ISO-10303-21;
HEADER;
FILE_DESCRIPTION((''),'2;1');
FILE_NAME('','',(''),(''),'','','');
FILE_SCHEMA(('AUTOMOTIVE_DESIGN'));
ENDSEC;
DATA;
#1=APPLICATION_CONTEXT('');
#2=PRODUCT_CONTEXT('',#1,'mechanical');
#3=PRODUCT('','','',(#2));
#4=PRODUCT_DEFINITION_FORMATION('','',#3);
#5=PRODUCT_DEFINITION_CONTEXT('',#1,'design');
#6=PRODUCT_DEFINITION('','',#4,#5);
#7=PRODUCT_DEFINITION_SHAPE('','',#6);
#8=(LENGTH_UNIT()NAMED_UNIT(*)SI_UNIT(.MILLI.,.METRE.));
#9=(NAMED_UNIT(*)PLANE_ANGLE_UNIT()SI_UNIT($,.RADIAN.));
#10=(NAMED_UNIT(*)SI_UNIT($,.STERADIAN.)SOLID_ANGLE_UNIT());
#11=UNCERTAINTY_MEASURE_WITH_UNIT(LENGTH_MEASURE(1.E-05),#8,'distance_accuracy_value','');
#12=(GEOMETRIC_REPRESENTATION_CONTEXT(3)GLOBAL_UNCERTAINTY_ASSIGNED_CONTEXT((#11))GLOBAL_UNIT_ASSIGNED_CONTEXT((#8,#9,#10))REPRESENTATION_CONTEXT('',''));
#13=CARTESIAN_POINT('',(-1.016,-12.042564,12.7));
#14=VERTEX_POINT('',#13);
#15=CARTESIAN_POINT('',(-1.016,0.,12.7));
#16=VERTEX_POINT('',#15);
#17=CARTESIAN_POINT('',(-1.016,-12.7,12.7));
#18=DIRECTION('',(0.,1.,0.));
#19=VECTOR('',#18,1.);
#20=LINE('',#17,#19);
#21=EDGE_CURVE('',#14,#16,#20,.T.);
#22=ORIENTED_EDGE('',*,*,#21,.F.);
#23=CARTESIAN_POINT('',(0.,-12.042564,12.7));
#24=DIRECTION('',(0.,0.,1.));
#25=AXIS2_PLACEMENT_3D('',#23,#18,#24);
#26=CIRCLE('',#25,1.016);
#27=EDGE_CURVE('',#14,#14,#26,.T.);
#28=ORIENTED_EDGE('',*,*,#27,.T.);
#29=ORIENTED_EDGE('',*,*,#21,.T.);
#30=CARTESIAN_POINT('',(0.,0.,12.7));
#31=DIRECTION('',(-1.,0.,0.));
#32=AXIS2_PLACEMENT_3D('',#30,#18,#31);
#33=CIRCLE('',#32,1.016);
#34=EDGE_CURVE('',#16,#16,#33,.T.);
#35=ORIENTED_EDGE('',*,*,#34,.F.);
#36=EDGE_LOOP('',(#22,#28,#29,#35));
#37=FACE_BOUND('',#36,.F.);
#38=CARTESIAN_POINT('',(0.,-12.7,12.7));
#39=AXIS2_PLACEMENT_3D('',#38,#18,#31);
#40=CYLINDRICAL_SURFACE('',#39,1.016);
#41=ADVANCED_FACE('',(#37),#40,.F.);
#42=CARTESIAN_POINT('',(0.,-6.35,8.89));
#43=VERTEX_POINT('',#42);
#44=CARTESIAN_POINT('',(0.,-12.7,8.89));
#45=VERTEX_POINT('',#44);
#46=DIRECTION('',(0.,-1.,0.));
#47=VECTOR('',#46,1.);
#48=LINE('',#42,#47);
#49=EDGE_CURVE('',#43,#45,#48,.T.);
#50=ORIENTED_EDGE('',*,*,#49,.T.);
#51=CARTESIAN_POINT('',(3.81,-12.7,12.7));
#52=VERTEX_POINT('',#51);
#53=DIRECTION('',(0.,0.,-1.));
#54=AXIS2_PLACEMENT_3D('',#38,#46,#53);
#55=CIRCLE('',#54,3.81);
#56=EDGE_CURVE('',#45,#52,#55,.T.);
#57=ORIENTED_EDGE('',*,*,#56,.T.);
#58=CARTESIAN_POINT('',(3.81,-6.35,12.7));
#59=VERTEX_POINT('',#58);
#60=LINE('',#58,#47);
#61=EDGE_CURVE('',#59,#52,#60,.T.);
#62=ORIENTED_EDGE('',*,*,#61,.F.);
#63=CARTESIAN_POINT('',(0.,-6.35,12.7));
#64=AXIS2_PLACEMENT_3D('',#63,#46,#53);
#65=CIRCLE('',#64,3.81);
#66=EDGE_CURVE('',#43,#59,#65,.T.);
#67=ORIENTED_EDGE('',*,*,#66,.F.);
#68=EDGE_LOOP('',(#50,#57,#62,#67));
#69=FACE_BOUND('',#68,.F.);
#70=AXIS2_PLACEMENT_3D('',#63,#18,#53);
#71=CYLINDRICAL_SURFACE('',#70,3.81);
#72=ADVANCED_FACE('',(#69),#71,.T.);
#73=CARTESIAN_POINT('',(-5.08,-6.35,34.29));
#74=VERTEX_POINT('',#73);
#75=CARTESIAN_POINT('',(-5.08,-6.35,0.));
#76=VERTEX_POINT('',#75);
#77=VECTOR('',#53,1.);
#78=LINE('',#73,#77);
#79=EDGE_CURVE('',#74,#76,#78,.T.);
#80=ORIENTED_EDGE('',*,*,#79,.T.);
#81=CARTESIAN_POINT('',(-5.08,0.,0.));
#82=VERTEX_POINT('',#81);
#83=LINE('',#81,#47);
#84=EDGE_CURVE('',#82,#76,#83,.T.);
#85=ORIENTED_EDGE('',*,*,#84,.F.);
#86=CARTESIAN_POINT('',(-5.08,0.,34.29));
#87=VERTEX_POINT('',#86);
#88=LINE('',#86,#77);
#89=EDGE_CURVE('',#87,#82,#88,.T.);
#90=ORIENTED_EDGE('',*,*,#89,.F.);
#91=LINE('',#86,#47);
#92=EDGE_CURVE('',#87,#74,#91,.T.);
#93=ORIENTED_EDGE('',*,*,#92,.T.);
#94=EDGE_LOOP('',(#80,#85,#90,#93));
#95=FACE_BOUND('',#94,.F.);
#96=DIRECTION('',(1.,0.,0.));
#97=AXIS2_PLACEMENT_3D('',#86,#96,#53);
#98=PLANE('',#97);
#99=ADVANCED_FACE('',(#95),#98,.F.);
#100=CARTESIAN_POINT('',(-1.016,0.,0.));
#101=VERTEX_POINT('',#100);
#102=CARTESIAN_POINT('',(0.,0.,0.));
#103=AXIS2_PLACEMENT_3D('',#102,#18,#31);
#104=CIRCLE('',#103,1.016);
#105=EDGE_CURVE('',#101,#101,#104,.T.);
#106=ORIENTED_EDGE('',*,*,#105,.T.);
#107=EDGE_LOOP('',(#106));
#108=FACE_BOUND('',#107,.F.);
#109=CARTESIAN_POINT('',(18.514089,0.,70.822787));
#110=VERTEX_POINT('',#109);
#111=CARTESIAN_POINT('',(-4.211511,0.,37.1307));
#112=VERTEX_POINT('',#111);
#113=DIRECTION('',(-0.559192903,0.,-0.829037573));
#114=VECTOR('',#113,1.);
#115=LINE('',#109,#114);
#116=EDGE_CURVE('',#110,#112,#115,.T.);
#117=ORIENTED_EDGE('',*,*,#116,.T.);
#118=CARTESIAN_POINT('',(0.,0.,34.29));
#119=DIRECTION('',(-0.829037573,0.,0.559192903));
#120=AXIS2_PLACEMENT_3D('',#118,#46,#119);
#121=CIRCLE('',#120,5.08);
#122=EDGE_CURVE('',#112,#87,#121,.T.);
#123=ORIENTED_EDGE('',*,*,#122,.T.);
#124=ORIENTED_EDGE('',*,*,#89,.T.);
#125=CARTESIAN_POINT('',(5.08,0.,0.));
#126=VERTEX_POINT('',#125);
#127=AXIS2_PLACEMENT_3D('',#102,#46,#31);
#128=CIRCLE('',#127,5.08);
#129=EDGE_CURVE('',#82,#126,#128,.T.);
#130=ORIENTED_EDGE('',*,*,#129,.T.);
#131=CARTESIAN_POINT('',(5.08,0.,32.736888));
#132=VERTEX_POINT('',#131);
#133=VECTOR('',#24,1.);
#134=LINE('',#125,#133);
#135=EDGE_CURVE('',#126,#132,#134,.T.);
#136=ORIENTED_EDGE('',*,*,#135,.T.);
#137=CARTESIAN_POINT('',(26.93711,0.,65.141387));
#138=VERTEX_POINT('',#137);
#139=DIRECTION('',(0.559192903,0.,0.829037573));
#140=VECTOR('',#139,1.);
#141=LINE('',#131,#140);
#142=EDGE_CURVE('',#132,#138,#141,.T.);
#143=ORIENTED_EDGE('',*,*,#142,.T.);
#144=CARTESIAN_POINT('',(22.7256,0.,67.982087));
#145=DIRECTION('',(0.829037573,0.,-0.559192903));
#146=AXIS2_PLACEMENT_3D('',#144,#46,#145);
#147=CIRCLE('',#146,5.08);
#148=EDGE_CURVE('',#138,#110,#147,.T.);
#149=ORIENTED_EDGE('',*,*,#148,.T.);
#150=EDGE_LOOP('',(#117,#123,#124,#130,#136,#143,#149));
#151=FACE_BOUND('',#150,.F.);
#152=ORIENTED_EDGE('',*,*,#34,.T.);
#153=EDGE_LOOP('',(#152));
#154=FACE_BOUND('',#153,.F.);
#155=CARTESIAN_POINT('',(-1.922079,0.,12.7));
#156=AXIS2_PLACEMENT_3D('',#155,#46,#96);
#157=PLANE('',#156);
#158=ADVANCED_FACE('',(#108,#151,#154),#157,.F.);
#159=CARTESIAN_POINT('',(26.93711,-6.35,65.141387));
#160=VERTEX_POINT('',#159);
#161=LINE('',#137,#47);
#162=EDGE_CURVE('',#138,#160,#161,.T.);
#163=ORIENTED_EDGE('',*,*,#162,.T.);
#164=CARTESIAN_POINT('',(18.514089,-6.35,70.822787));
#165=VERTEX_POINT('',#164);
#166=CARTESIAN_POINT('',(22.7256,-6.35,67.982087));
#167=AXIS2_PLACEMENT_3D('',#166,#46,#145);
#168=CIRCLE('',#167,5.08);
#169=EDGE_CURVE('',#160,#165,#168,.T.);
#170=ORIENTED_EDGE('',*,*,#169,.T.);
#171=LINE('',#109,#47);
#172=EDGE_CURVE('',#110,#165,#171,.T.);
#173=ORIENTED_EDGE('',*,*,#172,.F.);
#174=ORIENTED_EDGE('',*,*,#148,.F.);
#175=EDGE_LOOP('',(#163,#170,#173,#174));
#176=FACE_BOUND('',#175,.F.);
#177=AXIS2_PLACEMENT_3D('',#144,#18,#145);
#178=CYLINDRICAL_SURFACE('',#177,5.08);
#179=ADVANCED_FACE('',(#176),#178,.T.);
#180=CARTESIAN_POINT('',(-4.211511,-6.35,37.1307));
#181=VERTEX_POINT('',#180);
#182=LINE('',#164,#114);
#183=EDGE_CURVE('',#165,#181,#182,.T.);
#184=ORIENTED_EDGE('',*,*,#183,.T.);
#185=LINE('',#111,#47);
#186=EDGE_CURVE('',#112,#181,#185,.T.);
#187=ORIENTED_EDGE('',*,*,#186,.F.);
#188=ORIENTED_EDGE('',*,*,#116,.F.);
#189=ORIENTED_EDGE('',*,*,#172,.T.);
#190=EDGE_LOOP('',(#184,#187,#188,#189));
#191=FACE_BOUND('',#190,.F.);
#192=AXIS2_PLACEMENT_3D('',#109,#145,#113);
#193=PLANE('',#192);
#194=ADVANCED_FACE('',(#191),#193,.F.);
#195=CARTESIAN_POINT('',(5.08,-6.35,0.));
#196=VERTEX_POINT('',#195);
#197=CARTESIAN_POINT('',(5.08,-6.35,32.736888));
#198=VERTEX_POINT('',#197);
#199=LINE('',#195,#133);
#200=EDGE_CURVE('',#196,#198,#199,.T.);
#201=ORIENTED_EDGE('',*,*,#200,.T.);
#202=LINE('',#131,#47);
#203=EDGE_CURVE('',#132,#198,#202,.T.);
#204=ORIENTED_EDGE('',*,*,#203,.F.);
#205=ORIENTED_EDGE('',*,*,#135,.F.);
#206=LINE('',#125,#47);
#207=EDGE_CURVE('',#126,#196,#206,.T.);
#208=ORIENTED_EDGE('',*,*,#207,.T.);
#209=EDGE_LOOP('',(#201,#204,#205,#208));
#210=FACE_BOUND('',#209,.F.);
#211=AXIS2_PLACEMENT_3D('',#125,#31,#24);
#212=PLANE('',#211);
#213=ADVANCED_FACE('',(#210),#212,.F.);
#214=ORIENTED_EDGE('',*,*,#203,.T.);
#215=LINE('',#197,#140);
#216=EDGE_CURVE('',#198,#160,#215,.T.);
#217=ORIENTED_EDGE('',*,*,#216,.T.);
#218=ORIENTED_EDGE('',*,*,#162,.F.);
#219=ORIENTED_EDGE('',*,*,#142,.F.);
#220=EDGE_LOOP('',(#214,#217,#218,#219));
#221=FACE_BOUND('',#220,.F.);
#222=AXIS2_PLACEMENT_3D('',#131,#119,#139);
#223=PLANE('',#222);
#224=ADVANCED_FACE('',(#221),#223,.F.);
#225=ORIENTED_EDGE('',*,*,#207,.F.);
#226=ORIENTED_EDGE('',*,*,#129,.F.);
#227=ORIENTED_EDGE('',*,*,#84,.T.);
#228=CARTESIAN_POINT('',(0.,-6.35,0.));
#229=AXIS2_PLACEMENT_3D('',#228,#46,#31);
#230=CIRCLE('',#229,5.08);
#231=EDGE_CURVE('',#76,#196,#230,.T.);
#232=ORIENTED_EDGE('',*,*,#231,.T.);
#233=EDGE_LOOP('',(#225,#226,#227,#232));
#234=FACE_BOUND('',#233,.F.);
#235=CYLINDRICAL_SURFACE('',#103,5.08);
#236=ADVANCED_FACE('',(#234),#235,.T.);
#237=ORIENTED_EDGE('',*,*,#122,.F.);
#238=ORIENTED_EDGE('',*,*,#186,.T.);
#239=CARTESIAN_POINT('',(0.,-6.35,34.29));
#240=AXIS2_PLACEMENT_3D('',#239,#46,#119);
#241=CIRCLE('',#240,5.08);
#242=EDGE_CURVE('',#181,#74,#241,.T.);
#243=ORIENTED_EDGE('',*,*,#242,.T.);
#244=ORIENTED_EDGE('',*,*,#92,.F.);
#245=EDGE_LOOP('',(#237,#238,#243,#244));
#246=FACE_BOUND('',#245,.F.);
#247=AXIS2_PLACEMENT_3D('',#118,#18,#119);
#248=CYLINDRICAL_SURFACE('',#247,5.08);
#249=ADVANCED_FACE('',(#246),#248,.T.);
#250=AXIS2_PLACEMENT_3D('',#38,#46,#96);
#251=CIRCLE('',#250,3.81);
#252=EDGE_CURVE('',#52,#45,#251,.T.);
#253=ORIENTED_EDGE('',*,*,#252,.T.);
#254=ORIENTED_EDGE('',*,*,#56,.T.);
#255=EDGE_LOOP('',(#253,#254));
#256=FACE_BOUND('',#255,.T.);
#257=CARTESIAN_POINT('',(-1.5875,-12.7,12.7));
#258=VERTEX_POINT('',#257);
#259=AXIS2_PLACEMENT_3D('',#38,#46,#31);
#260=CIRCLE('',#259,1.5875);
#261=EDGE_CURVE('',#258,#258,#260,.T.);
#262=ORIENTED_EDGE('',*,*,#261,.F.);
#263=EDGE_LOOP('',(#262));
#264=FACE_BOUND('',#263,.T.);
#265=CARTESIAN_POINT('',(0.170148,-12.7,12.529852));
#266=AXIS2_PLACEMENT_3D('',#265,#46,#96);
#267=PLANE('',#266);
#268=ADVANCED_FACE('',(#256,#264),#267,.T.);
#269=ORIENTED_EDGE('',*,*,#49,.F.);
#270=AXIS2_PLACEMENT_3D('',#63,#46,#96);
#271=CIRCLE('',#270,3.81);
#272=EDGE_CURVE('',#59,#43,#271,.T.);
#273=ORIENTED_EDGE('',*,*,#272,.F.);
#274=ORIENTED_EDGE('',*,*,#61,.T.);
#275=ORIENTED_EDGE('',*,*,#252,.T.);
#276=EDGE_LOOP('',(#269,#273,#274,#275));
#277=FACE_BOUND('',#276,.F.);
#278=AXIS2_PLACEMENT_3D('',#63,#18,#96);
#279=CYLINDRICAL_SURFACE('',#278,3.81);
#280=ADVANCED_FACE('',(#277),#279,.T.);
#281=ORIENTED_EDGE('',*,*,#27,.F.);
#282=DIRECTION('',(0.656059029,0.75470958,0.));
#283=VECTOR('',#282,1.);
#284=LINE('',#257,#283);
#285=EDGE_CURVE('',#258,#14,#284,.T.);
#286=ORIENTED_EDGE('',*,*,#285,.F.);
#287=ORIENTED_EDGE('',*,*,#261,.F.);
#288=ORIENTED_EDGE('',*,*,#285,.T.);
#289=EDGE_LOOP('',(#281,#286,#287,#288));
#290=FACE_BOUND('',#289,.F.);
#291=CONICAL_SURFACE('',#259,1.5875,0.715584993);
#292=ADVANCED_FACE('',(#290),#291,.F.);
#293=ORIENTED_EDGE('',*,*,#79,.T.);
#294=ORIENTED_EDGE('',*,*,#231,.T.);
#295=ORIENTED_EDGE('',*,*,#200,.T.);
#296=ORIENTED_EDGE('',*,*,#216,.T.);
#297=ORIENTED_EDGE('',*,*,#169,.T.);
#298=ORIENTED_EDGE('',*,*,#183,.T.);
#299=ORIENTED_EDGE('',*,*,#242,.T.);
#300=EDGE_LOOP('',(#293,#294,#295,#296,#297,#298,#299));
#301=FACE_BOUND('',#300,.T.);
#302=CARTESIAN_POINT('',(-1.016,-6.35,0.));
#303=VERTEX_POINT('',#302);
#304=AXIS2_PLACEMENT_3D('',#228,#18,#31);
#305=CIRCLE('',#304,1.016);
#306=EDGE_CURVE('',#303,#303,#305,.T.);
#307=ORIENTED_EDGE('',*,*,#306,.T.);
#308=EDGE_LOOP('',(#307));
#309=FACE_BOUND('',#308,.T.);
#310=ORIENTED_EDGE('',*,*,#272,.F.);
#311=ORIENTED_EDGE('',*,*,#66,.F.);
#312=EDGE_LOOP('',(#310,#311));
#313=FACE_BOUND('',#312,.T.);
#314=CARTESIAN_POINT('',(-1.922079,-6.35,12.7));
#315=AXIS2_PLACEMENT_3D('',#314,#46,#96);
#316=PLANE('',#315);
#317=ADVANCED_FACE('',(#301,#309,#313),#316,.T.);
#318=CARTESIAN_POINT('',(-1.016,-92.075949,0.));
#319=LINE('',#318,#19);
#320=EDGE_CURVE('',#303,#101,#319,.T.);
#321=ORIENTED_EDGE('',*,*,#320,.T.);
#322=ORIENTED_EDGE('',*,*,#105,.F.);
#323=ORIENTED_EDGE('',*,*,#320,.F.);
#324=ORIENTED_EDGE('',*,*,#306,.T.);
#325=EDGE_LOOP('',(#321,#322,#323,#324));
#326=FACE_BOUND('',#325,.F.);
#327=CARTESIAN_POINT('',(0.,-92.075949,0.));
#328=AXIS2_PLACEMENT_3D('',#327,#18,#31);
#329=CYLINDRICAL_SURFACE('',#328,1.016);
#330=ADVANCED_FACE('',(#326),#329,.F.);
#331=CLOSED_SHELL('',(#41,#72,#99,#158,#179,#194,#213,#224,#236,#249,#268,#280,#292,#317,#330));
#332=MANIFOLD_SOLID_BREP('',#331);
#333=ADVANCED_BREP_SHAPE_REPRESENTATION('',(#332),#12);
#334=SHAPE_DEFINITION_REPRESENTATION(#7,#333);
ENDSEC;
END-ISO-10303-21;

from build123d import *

# Parameters (mm, degrees)
F1_DEPTH       = 6.35
F3_DEPTH       = 6.35
F5_D           = 2.032
F5_CSINK_D     = 3.175
F5_CSINK_ANGLE = 82
F7_D           = 2.032


with BuildPart() as f1:
    # F0 (on Front) → F1 (new body)
    with BuildSketch(Plane.XZ):
        with BuildLine():
            ThreePointArc((-5.08, 12.7), (-3.5921024484, 9.1078975516), (0, 7.62))
            Line((0, 7.62), (0, 12.7))
            Line((0, 12.7), (0, 17.78))
            ThreePointArc((0, 17.78), (-3.5921024484, 16.2921024484), (-5.08, 12.7))
        make_face()
        with BuildLine():
            Line((0, 12.7), (0, 7.62))
            ThreePointArc((0, 7.62), (3.5921024484, 9.1078975516), (5.08, 12.7))
            ThreePointArc((5.08, 12.7), (3.5921024484, 16.2921024484), (0, 17.78))
            Line((0, 17.78), (0, 12.7))
        make_face()
        with BuildLine():
            ThreePointArc((5.08, 12.7), (3.5921024484, 9.1078975516), (0, 7.62))
            ThreePointArc((0, 7.62), (-3.5921024484, 9.1078975516), (-5.08, 12.7))
            Line((-5.08, 12.7), (-5.08, 0))
            ThreePointArc((-5.08, 0), (0, -5.08), (5.08, 0))
            Line((5.08, 0), (5.08, 12.7))
        make_face()
        with BuildLine():
            ThreePointArc((0, 17.78), (3.5921024484, 16.2921024484), (5.08, 12.7))
            Line((5.08, 12.7), (5.08, 32.7368881382))
            Line((5.08, 32.7368881382), (4.2115108686, 31.4493000504))
            ThreePointArc((4.2115108686, 31.4493000504), (2.384915539, 29.8046262283), (0, 29.21))
            Line((0, 29.21), (0, 17.78))
        make_face()
        with BuildLine():
            Line((-5.08, 34.29), (-5.08, 12.7))
            ThreePointArc((-5.08, 12.7), (-3.5921024484, 16.2921024484), (0, 17.78))
            Line((0, 17.78), (0, 29.21))
            ThreePointArc((0, 29.21), (-3.5921024484, 30.6978975516), (-5.08, 34.29))
        make_face()
        with BuildLine():
            Line((4.2115108686, 31.4493000504), (5.08, 32.7368881382))
            Line((5.08, 32.7368881382), (5.08, 34.29))
            ThreePointArc((5.08, 34.29), (4.4853737717, 36.674915539), (2.8406999496, 38.5015108686))
            Line((2.8406999496, 38.5015108686), (0, 34.29))
            Line((0, 34.29), (0, 29.21))
            ThreePointArc((0, 29.21), (2.384915539, 29.8046262283), (4.2115108686, 31.4493000504))
        make_face()
        with BuildLine():
            Line((5.08, 34.29), (5.08, 32.7368881382))
            Line((5.08, 32.7368881382), (26.9371104656, 65.141386999))
            ThreePointArc((26.9371104656, 65.141386999), (25.5662995467, 72.1935978172), (18.5140887285, 70.8227868983))
            Line((18.5140887285, 70.8227868983), (-4.2115108686, 37.1306999496))
            ThreePointArc((-4.2115108686, 37.1306999496), (-0.9693096965, 39.2766660919), (2.8406999496, 38.5015108686))
            ThreePointArc((2.8406999496, 38.5015108686), (4.4853737717, 36.674915539), (5.08, 34.29))
        make_face()
        with BuildLine():
            ThreePointArc((-4.2115108686, 37.1306999496), (-4.8580281603, 35.77524826), (-5.08, 34.29))
            ThreePointArc((-5.08, 34.29), (-3.5921024484, 30.6978975516), (0, 29.21))
            Line((0, 29.21), (0, 34.29))
            Line((0, 34.29), (2.8406999496, 38.5015108686))
            ThreePointArc((2.8406999496, 38.5015108686), (-0.9693096965, 39.2766660919), (-4.2115108686, 37.1306999496))
        make_face()
    extrude(amount=F1_DEPTH)

    # F2 (on face) → F3 (join)
    with BuildSketch(Plane.XZ.offset(6.35)):
        with BuildLine():
            ThreePointArc((0, 8.89), (2.6940768363, 10.0059231637), (3.81, 12.7))
            ThreePointArc((3.81, 12.7), (-2.6940768363, 15.3940768363), (0, 8.89))
        make_face()
    extrude(amount=F3_DEPTH)

    # F5 (through all)
    with Locations(Plane.XZ.offset(12.7)):
        with Locations((0, 12.7)):
            CounterSinkHole(F5_D / 2, F5_CSINK_D / 2, counter_sink_angle=F5_CSINK_ANGLE)

    # F7 (through all)
    with Locations(Plane.XZ.offset(6.35)):
        with Locations((0, 0)):
            Hole(F7_D / 2)


solid = f1.part
